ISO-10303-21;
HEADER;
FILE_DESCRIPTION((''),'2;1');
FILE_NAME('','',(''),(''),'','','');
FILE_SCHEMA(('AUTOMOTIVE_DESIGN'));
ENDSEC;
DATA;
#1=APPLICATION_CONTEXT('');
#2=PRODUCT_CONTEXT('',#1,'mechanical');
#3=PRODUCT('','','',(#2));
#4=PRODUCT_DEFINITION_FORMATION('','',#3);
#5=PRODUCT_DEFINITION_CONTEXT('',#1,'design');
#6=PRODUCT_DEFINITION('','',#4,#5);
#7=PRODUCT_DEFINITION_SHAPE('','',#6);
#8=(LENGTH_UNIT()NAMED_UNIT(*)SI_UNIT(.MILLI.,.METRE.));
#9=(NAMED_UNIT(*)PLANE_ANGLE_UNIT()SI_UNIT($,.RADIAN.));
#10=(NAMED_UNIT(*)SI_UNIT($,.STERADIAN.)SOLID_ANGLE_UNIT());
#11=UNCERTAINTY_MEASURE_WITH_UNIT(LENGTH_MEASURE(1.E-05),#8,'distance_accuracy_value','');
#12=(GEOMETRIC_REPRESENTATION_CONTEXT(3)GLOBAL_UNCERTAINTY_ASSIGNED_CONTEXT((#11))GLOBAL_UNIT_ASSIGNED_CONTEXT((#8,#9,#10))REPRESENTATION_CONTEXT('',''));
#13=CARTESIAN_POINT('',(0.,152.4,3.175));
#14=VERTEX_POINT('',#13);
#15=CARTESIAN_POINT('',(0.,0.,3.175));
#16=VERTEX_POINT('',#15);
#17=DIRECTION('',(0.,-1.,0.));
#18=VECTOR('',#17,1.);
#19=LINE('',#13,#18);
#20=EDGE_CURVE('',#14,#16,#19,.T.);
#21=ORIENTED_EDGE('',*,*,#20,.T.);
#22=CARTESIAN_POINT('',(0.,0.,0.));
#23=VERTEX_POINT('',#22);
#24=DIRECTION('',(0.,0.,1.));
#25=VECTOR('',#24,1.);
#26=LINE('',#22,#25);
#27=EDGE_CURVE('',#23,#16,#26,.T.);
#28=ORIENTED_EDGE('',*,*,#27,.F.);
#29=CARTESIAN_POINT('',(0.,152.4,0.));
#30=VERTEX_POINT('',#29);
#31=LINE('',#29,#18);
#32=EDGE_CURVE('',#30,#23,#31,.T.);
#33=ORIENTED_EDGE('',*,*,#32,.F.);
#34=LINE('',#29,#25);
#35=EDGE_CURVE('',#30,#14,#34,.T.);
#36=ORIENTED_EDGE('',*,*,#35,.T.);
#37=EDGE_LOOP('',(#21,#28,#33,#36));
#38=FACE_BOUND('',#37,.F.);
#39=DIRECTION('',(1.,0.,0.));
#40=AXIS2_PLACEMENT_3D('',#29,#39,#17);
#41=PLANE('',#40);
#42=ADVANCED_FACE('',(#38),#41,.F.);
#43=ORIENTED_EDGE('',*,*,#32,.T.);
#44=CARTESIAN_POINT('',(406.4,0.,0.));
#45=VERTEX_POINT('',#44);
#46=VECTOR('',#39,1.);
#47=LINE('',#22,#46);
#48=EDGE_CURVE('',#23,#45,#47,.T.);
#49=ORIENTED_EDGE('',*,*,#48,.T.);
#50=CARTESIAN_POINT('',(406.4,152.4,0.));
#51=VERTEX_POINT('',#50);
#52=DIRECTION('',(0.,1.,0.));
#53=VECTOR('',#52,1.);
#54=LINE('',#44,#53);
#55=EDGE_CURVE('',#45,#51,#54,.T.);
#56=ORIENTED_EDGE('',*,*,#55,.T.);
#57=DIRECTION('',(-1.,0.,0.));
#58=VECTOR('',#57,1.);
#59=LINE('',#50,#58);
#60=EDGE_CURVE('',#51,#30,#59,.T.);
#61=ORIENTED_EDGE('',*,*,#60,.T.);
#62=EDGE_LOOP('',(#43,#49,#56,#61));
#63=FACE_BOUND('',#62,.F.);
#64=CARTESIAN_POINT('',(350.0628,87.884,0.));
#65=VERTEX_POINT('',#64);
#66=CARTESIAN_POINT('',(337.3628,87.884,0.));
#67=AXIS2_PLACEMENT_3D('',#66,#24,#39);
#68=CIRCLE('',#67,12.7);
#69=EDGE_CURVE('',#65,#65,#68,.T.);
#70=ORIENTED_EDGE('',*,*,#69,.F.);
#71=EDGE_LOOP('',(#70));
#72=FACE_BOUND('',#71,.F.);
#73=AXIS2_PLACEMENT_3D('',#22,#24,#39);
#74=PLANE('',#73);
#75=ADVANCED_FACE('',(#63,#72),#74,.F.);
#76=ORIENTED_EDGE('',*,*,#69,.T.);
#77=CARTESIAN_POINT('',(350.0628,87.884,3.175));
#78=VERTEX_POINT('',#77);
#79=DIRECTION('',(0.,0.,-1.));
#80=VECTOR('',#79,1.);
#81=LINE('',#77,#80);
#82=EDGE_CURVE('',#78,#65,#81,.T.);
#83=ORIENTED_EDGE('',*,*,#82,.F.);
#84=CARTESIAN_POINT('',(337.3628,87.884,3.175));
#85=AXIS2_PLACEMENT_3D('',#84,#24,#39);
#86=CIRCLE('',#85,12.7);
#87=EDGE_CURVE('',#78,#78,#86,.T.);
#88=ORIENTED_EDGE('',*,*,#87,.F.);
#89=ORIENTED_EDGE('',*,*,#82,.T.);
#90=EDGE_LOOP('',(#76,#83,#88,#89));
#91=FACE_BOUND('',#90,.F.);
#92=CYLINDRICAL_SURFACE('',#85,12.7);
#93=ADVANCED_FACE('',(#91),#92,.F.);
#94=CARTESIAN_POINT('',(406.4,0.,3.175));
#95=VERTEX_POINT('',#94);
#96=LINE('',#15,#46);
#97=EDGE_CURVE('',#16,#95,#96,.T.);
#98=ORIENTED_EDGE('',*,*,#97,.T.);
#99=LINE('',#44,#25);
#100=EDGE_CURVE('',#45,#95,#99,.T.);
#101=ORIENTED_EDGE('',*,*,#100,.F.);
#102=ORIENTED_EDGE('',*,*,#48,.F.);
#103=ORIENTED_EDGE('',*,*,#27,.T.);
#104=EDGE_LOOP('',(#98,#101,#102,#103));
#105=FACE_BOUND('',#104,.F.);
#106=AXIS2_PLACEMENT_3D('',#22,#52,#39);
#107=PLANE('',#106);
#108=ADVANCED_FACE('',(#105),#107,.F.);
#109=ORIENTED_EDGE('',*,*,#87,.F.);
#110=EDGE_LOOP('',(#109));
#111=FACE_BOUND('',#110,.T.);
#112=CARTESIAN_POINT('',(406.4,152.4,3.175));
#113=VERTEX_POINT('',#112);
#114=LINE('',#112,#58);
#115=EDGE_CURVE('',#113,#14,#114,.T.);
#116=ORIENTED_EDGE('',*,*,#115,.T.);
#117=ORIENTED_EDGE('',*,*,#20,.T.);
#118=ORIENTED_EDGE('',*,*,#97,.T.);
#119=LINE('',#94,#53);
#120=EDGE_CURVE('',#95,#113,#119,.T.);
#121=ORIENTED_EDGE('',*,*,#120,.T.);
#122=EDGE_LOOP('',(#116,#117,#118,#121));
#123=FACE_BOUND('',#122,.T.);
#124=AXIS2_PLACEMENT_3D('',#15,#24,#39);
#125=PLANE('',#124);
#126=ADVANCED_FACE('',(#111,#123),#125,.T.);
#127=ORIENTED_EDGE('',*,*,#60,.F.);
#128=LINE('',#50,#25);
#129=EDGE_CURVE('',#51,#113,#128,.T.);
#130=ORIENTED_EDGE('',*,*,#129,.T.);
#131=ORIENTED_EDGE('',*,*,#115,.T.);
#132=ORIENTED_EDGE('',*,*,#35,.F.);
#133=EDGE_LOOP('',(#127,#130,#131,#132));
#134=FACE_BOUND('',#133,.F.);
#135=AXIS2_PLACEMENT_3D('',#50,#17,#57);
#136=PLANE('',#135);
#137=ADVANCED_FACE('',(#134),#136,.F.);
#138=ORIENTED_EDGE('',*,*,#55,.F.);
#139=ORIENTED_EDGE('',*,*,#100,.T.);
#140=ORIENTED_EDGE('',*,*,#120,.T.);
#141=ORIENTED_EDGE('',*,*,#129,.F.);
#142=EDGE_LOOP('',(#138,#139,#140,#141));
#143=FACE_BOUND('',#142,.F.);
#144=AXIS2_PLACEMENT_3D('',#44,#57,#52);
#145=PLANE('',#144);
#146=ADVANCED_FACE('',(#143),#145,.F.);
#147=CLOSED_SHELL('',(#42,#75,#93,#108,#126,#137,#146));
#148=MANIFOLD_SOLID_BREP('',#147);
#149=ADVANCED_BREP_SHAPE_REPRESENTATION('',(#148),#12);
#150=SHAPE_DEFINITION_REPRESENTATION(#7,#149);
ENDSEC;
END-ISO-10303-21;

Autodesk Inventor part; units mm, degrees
ref_plane "YZ Plane" through (0, 0, 0) normal (1, 0, 0) x (0, 1, 0)
ref_plane "XZ Plane" through (0, 0, 0) normal (0, 1, 0) x (-1, 0, 0)
ref_plane "XY Plane" through (0, 0, 0) normal (0, 0, 1) x (1, 0, 0)
sketch "Sketch1" plane through (0, 0, 0) normal (0, 0, 1) x (1, 0, 0)
  line L0 (0, 0) -> (406.4, 0)
  line L1 (406.4, 0) -> (406.4, 152.4)
  line L2 (406.4, 152.4) -> (0, 152.4)
  line L3 (0, 152.4) -> (0, 0)
  dimension "d0" = 152.4
  dimension "d1" = 406.4
extrude "Extrusion1" add sketch "Sketch1" along normal blind 3.175
sketch "Sketch2" plane through (0, 0, 3.175) normal (0, 0, 1) x (1, 0, 0)
  circle A0 centre (337.3628, 87.884) radius 12.7
  line L0 (406.4, 0) -> (406.4, 152.4) projected
  line L1 (0, 0) -> (406.4, 0) projected
  dimension "d4" = 25.4
  dimension "d5" = 69.0372
  dimension "d6" = 87.884
extrude "Extrusion2" cut sketch "Sketch2" against normal blind 3.175
properties part number "LFEV2017_TSI_003"
